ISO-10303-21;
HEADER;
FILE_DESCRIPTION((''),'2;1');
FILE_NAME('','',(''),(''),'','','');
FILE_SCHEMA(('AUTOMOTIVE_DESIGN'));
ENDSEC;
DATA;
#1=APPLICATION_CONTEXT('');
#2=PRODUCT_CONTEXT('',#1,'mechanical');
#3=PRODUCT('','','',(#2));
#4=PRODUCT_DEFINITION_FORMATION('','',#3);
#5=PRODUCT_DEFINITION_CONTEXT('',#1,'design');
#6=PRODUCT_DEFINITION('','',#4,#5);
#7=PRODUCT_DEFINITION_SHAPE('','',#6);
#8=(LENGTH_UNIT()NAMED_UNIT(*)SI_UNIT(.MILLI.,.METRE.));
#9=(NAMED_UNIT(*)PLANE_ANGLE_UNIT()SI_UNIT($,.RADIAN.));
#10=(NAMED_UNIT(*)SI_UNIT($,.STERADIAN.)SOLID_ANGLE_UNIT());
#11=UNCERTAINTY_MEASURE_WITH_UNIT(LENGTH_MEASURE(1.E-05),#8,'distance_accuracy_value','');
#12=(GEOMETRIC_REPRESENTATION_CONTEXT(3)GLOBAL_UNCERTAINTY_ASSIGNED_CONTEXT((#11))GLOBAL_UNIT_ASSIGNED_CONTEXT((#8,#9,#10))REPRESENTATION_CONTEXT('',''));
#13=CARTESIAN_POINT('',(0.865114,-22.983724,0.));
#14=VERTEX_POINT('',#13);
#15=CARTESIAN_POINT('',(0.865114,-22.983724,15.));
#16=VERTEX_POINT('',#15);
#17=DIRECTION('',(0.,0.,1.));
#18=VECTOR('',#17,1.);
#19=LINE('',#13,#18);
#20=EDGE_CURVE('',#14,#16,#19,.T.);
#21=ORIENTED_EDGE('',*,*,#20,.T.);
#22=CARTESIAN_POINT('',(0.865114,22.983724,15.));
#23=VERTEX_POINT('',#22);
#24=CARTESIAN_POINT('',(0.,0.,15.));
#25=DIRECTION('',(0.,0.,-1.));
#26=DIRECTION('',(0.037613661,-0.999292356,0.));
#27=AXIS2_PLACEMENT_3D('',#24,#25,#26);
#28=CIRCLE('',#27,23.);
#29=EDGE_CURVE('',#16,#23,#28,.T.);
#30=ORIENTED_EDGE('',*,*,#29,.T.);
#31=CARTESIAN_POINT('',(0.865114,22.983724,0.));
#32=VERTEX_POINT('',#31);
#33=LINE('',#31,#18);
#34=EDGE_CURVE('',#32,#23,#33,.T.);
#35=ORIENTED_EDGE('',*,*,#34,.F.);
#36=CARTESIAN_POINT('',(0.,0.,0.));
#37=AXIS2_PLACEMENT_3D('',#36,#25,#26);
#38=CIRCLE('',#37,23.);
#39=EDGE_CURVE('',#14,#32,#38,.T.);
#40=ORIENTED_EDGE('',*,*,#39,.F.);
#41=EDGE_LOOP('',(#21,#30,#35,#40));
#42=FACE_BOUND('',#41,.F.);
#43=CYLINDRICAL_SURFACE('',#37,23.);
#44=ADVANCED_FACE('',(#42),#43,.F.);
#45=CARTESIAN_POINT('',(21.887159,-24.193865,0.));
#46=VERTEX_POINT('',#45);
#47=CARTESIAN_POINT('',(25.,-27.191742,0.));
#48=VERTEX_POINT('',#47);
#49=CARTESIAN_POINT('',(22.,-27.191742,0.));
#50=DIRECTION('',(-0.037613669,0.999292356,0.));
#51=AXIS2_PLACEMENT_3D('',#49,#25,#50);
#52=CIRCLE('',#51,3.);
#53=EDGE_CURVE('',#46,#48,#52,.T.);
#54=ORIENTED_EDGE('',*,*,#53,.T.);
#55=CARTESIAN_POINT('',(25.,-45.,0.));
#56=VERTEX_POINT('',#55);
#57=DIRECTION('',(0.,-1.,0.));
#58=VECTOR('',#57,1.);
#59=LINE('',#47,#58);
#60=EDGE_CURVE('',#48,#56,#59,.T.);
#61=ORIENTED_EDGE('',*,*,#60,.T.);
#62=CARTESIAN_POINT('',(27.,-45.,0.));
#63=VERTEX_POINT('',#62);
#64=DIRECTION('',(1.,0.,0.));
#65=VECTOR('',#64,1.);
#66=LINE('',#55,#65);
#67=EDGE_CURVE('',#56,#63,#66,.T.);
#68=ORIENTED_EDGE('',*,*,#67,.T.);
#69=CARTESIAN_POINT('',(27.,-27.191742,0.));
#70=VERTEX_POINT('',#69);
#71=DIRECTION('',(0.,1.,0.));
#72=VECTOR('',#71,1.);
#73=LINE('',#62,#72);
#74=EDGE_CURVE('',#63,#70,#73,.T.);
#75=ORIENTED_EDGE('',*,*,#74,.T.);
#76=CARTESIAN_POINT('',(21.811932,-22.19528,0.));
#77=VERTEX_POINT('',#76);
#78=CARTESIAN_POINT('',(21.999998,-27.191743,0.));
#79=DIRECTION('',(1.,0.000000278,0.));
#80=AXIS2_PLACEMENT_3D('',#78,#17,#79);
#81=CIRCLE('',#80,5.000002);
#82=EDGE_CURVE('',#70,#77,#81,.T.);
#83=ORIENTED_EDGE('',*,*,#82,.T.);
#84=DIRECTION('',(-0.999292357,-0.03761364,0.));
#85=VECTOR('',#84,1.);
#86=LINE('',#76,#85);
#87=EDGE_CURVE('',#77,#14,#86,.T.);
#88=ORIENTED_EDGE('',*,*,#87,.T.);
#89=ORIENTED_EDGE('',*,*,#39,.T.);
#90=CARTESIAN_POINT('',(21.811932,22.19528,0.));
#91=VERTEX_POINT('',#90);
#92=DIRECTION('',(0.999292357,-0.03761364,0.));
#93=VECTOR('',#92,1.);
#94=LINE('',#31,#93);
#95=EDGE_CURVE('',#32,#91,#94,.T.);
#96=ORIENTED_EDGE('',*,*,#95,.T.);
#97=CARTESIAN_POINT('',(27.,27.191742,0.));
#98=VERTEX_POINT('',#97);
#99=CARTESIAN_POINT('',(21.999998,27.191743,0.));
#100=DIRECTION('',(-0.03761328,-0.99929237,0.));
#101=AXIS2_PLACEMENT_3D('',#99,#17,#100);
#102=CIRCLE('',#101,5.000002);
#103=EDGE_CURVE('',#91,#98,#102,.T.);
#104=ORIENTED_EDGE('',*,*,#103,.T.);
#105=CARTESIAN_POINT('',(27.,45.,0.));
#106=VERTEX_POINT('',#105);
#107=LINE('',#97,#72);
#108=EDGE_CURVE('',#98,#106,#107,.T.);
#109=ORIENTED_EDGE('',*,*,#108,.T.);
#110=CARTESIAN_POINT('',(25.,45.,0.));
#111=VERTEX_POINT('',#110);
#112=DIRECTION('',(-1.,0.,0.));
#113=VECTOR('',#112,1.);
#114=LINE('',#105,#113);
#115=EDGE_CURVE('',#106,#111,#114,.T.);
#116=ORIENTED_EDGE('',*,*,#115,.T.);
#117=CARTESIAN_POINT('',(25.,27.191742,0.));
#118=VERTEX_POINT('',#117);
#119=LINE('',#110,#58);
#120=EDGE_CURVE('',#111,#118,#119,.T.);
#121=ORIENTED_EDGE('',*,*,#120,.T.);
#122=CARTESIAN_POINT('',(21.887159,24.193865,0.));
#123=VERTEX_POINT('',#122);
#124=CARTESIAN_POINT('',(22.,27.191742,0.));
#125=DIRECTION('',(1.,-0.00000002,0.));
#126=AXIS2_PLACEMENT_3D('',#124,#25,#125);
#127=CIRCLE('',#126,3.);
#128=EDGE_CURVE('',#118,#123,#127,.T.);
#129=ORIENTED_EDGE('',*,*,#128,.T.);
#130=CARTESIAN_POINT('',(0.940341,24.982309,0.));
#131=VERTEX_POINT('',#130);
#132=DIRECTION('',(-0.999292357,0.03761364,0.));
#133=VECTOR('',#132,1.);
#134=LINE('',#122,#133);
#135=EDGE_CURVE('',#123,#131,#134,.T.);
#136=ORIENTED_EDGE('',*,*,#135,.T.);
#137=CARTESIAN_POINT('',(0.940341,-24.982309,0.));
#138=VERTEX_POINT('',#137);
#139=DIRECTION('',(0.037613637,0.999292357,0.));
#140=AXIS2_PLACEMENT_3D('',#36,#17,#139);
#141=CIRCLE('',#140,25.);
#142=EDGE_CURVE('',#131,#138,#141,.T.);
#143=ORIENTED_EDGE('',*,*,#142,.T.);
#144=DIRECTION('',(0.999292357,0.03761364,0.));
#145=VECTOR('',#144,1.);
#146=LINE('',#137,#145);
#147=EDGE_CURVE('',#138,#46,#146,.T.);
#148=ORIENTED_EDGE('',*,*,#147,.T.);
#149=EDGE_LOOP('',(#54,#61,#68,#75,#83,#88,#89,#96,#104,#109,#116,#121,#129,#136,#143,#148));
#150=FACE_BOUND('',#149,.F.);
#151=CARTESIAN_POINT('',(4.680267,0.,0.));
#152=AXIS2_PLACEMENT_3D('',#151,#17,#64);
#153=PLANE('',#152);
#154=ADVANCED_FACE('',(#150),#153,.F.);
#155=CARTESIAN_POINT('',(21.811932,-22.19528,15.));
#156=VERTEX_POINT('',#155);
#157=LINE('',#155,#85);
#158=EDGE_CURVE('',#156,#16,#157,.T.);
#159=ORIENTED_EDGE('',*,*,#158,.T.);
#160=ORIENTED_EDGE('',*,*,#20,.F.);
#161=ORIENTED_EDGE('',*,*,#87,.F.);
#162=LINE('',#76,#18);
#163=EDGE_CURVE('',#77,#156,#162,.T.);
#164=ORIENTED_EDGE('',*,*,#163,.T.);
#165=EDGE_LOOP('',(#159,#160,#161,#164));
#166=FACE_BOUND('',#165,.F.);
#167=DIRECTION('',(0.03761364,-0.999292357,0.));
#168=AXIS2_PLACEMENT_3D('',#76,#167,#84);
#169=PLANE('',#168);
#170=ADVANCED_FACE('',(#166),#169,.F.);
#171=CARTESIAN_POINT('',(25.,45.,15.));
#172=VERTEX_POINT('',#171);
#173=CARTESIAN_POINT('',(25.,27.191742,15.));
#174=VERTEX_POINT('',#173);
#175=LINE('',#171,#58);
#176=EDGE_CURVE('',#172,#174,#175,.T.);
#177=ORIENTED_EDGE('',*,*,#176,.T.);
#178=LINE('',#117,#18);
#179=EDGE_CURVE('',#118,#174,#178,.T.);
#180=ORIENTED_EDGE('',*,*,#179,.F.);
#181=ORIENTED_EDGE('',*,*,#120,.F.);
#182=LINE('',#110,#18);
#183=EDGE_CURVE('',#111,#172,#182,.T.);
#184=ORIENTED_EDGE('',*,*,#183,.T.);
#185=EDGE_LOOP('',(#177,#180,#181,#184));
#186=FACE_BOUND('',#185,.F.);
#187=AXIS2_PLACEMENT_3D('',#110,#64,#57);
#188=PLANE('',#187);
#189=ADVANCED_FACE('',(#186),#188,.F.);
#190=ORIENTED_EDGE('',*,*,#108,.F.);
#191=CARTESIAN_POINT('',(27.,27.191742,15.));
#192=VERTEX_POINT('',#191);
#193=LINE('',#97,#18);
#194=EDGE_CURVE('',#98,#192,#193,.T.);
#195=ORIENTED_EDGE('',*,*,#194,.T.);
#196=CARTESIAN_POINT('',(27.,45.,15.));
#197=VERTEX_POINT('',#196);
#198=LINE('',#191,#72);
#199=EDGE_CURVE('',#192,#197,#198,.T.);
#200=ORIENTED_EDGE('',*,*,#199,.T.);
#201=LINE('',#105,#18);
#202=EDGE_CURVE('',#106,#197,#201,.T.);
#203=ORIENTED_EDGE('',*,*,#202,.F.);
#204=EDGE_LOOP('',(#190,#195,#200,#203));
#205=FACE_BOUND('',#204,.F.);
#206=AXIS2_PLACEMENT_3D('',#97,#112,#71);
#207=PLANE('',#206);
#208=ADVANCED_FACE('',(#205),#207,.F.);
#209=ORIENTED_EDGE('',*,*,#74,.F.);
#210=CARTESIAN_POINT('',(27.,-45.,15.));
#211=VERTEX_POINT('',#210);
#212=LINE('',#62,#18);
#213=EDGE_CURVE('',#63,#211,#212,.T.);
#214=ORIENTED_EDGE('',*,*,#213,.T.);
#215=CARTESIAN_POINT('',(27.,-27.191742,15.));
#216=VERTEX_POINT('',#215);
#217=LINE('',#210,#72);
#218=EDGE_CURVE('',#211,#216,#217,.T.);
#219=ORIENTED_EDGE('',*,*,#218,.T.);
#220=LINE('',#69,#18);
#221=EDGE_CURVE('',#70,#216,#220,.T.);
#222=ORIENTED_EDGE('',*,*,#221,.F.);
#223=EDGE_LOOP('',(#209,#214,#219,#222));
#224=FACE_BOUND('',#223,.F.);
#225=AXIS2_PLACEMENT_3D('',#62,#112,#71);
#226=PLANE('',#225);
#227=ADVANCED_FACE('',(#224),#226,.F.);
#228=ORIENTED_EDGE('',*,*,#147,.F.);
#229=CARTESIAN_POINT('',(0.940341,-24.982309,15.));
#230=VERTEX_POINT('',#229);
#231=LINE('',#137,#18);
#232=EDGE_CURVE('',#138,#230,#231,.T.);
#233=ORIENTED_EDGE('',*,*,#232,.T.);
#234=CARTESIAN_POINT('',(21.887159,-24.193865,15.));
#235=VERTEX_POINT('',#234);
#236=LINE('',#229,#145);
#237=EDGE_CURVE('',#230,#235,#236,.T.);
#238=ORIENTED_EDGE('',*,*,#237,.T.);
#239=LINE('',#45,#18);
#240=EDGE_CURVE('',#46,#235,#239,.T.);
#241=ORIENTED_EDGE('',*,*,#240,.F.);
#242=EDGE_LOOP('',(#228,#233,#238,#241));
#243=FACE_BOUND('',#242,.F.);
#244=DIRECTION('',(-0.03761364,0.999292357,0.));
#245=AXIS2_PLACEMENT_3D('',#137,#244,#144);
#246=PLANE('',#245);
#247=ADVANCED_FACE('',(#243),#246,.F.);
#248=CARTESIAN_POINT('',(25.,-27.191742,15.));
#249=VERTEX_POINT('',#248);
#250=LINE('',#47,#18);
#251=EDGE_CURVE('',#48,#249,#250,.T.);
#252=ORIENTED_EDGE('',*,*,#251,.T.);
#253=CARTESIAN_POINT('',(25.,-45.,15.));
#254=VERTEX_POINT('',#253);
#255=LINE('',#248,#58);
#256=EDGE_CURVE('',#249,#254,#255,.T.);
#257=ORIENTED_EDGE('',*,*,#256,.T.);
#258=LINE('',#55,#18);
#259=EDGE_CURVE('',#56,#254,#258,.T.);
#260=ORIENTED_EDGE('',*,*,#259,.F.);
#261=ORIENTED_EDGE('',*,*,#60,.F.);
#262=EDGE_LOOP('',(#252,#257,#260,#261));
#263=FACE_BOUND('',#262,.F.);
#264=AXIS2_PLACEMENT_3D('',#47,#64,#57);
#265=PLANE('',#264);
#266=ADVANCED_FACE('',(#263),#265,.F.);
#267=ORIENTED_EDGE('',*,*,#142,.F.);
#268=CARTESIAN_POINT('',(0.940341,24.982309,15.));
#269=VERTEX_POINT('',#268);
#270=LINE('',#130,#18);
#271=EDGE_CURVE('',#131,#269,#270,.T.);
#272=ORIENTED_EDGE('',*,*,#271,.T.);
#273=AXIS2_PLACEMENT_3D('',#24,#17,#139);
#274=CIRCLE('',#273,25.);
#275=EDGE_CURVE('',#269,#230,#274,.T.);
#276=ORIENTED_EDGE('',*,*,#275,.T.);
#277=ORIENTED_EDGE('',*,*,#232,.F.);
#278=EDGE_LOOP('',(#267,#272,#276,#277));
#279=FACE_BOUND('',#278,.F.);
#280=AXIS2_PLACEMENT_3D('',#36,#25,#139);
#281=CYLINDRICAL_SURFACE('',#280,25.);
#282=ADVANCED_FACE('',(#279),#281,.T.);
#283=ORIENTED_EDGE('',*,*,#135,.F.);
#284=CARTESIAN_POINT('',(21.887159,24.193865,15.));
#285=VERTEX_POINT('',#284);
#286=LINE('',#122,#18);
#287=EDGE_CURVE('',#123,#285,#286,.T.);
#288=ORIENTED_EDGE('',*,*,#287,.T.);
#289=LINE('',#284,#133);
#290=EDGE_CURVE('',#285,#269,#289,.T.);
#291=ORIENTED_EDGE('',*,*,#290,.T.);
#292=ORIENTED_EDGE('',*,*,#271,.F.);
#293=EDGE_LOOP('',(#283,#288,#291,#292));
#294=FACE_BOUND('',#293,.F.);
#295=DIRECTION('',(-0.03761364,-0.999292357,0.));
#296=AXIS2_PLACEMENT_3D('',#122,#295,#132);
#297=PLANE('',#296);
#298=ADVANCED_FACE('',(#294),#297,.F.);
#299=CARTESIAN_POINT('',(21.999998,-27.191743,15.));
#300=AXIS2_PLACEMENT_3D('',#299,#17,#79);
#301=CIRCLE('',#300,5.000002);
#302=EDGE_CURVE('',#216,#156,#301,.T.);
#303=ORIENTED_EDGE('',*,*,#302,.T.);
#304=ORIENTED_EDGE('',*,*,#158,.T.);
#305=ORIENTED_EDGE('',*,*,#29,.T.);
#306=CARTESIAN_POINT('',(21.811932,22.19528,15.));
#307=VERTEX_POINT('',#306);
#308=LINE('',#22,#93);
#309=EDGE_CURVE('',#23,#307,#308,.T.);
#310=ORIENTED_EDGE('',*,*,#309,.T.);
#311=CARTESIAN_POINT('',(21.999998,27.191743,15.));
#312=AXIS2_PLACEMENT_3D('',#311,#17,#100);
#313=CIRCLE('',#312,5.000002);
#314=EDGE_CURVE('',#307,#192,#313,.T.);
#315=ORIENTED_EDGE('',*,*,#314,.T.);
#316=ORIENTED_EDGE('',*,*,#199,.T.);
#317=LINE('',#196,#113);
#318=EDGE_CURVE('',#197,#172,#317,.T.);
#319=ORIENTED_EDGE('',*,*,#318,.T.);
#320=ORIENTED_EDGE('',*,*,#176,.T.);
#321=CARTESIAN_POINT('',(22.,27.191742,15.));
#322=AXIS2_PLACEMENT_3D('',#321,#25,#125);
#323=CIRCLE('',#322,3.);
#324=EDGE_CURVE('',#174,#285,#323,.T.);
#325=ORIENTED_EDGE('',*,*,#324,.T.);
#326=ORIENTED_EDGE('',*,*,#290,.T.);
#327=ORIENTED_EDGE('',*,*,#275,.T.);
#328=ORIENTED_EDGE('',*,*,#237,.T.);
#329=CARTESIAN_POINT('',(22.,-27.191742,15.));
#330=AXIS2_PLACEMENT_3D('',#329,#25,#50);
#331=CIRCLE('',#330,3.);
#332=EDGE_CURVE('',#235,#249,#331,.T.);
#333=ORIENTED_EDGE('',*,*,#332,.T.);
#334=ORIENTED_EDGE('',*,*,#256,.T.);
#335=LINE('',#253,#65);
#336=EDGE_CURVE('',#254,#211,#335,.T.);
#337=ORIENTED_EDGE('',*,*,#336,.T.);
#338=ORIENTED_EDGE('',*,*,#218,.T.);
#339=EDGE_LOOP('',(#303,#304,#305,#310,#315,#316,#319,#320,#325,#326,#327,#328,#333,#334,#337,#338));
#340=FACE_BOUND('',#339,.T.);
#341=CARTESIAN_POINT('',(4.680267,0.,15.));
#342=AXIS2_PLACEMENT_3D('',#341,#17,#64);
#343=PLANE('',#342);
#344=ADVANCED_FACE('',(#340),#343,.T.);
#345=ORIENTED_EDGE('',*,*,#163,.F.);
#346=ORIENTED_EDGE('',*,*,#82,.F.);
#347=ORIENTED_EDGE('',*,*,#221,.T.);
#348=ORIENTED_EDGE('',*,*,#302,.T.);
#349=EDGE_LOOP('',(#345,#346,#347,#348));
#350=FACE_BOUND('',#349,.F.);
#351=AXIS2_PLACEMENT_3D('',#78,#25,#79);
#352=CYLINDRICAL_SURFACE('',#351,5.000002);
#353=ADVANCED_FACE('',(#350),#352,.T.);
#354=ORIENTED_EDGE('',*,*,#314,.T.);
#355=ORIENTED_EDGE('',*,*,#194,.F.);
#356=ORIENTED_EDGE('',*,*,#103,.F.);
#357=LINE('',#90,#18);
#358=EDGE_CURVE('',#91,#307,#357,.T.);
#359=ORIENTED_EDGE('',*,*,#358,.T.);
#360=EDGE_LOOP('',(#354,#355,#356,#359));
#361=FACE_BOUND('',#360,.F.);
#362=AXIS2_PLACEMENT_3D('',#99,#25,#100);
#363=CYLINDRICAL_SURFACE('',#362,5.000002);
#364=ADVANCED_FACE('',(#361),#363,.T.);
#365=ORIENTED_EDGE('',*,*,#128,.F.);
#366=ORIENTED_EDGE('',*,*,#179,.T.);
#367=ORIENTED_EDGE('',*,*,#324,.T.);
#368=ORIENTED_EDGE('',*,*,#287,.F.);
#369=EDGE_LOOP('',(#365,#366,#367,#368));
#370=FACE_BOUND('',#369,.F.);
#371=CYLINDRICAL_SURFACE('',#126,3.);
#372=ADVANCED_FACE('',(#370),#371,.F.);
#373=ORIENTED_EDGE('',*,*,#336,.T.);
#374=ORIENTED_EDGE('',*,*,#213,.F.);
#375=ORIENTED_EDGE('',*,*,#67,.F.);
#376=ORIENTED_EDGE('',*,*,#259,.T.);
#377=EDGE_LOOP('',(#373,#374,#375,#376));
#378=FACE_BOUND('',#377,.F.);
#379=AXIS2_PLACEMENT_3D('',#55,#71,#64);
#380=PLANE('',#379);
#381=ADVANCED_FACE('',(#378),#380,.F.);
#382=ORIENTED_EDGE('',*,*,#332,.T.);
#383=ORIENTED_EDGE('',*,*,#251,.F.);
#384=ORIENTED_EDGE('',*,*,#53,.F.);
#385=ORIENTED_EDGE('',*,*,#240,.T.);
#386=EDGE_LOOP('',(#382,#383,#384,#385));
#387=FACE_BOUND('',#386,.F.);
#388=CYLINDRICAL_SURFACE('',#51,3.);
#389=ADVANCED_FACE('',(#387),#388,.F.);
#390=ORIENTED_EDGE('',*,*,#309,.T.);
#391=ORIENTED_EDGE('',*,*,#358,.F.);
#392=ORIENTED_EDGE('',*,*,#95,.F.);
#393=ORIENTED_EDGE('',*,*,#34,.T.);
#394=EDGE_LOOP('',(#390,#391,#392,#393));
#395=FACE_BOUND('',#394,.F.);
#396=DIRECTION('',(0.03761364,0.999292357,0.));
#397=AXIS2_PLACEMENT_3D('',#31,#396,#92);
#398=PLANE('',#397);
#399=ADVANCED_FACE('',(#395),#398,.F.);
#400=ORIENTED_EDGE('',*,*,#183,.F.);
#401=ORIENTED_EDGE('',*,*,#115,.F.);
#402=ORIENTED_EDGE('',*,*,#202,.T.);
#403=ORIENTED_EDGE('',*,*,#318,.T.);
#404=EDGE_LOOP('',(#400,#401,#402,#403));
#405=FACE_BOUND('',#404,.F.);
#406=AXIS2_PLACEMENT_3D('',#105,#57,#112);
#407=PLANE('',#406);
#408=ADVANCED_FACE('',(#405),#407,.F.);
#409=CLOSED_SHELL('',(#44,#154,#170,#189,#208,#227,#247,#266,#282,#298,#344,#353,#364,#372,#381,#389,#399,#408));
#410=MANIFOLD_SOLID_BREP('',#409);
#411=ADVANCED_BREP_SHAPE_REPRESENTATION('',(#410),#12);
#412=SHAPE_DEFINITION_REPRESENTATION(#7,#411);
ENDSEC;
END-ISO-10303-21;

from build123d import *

# Parameters (mm, degrees)
F1_DEPTH = 15


with BuildPart() as f1:
    # F0 (on Top) → F1 (new body)
    with BuildSketch(Plane.XY):
        with BuildLine():
            ThreePointArc((0.865114, -22.983724), (-23, 0), (0.865114, 22.983724))
            Line((0.865114, 22.983724), (21.811932, 22.19528))
            ThreePointArc((21.811932, 22.19528), (25.468404, 23.59033), (27, 27.191742))
            Line((27, 27.191742), (27, 45))
            Line((27, 45), (25, 45))
            Line((25, 45), (25, 27.191742))
            ThreePointArc((25, 27.191742), (24.081043, 25.030895), (21.887159, 24.193865))
            Line((21.887159, 24.193865), (0.940341, 24.982309))
            ThreePointArc((0.940341, 24.982309), (-25, 0), (0.940341, -24.982309))
            Line((0.940341, -24.982309), (21.887159, -24.193865))
            ThreePointArc((21.887159, -24.193865), (24.081043, -25.030895), (25, -27.191742))
            Line((25, -27.191742), (25, -45))
            Line((25, -45), (27, -45))
            Line((27, -45), (27, -27.191742))
            ThreePointArc((27, -27.191742), (25.468404, -23.59033), (21.811932, -22.19528))
            Line((21.811932, -22.19528), (0.865114, -22.983724))
        make_face()
    extrude(amount=F1_DEPTH)


solid = f1.part
